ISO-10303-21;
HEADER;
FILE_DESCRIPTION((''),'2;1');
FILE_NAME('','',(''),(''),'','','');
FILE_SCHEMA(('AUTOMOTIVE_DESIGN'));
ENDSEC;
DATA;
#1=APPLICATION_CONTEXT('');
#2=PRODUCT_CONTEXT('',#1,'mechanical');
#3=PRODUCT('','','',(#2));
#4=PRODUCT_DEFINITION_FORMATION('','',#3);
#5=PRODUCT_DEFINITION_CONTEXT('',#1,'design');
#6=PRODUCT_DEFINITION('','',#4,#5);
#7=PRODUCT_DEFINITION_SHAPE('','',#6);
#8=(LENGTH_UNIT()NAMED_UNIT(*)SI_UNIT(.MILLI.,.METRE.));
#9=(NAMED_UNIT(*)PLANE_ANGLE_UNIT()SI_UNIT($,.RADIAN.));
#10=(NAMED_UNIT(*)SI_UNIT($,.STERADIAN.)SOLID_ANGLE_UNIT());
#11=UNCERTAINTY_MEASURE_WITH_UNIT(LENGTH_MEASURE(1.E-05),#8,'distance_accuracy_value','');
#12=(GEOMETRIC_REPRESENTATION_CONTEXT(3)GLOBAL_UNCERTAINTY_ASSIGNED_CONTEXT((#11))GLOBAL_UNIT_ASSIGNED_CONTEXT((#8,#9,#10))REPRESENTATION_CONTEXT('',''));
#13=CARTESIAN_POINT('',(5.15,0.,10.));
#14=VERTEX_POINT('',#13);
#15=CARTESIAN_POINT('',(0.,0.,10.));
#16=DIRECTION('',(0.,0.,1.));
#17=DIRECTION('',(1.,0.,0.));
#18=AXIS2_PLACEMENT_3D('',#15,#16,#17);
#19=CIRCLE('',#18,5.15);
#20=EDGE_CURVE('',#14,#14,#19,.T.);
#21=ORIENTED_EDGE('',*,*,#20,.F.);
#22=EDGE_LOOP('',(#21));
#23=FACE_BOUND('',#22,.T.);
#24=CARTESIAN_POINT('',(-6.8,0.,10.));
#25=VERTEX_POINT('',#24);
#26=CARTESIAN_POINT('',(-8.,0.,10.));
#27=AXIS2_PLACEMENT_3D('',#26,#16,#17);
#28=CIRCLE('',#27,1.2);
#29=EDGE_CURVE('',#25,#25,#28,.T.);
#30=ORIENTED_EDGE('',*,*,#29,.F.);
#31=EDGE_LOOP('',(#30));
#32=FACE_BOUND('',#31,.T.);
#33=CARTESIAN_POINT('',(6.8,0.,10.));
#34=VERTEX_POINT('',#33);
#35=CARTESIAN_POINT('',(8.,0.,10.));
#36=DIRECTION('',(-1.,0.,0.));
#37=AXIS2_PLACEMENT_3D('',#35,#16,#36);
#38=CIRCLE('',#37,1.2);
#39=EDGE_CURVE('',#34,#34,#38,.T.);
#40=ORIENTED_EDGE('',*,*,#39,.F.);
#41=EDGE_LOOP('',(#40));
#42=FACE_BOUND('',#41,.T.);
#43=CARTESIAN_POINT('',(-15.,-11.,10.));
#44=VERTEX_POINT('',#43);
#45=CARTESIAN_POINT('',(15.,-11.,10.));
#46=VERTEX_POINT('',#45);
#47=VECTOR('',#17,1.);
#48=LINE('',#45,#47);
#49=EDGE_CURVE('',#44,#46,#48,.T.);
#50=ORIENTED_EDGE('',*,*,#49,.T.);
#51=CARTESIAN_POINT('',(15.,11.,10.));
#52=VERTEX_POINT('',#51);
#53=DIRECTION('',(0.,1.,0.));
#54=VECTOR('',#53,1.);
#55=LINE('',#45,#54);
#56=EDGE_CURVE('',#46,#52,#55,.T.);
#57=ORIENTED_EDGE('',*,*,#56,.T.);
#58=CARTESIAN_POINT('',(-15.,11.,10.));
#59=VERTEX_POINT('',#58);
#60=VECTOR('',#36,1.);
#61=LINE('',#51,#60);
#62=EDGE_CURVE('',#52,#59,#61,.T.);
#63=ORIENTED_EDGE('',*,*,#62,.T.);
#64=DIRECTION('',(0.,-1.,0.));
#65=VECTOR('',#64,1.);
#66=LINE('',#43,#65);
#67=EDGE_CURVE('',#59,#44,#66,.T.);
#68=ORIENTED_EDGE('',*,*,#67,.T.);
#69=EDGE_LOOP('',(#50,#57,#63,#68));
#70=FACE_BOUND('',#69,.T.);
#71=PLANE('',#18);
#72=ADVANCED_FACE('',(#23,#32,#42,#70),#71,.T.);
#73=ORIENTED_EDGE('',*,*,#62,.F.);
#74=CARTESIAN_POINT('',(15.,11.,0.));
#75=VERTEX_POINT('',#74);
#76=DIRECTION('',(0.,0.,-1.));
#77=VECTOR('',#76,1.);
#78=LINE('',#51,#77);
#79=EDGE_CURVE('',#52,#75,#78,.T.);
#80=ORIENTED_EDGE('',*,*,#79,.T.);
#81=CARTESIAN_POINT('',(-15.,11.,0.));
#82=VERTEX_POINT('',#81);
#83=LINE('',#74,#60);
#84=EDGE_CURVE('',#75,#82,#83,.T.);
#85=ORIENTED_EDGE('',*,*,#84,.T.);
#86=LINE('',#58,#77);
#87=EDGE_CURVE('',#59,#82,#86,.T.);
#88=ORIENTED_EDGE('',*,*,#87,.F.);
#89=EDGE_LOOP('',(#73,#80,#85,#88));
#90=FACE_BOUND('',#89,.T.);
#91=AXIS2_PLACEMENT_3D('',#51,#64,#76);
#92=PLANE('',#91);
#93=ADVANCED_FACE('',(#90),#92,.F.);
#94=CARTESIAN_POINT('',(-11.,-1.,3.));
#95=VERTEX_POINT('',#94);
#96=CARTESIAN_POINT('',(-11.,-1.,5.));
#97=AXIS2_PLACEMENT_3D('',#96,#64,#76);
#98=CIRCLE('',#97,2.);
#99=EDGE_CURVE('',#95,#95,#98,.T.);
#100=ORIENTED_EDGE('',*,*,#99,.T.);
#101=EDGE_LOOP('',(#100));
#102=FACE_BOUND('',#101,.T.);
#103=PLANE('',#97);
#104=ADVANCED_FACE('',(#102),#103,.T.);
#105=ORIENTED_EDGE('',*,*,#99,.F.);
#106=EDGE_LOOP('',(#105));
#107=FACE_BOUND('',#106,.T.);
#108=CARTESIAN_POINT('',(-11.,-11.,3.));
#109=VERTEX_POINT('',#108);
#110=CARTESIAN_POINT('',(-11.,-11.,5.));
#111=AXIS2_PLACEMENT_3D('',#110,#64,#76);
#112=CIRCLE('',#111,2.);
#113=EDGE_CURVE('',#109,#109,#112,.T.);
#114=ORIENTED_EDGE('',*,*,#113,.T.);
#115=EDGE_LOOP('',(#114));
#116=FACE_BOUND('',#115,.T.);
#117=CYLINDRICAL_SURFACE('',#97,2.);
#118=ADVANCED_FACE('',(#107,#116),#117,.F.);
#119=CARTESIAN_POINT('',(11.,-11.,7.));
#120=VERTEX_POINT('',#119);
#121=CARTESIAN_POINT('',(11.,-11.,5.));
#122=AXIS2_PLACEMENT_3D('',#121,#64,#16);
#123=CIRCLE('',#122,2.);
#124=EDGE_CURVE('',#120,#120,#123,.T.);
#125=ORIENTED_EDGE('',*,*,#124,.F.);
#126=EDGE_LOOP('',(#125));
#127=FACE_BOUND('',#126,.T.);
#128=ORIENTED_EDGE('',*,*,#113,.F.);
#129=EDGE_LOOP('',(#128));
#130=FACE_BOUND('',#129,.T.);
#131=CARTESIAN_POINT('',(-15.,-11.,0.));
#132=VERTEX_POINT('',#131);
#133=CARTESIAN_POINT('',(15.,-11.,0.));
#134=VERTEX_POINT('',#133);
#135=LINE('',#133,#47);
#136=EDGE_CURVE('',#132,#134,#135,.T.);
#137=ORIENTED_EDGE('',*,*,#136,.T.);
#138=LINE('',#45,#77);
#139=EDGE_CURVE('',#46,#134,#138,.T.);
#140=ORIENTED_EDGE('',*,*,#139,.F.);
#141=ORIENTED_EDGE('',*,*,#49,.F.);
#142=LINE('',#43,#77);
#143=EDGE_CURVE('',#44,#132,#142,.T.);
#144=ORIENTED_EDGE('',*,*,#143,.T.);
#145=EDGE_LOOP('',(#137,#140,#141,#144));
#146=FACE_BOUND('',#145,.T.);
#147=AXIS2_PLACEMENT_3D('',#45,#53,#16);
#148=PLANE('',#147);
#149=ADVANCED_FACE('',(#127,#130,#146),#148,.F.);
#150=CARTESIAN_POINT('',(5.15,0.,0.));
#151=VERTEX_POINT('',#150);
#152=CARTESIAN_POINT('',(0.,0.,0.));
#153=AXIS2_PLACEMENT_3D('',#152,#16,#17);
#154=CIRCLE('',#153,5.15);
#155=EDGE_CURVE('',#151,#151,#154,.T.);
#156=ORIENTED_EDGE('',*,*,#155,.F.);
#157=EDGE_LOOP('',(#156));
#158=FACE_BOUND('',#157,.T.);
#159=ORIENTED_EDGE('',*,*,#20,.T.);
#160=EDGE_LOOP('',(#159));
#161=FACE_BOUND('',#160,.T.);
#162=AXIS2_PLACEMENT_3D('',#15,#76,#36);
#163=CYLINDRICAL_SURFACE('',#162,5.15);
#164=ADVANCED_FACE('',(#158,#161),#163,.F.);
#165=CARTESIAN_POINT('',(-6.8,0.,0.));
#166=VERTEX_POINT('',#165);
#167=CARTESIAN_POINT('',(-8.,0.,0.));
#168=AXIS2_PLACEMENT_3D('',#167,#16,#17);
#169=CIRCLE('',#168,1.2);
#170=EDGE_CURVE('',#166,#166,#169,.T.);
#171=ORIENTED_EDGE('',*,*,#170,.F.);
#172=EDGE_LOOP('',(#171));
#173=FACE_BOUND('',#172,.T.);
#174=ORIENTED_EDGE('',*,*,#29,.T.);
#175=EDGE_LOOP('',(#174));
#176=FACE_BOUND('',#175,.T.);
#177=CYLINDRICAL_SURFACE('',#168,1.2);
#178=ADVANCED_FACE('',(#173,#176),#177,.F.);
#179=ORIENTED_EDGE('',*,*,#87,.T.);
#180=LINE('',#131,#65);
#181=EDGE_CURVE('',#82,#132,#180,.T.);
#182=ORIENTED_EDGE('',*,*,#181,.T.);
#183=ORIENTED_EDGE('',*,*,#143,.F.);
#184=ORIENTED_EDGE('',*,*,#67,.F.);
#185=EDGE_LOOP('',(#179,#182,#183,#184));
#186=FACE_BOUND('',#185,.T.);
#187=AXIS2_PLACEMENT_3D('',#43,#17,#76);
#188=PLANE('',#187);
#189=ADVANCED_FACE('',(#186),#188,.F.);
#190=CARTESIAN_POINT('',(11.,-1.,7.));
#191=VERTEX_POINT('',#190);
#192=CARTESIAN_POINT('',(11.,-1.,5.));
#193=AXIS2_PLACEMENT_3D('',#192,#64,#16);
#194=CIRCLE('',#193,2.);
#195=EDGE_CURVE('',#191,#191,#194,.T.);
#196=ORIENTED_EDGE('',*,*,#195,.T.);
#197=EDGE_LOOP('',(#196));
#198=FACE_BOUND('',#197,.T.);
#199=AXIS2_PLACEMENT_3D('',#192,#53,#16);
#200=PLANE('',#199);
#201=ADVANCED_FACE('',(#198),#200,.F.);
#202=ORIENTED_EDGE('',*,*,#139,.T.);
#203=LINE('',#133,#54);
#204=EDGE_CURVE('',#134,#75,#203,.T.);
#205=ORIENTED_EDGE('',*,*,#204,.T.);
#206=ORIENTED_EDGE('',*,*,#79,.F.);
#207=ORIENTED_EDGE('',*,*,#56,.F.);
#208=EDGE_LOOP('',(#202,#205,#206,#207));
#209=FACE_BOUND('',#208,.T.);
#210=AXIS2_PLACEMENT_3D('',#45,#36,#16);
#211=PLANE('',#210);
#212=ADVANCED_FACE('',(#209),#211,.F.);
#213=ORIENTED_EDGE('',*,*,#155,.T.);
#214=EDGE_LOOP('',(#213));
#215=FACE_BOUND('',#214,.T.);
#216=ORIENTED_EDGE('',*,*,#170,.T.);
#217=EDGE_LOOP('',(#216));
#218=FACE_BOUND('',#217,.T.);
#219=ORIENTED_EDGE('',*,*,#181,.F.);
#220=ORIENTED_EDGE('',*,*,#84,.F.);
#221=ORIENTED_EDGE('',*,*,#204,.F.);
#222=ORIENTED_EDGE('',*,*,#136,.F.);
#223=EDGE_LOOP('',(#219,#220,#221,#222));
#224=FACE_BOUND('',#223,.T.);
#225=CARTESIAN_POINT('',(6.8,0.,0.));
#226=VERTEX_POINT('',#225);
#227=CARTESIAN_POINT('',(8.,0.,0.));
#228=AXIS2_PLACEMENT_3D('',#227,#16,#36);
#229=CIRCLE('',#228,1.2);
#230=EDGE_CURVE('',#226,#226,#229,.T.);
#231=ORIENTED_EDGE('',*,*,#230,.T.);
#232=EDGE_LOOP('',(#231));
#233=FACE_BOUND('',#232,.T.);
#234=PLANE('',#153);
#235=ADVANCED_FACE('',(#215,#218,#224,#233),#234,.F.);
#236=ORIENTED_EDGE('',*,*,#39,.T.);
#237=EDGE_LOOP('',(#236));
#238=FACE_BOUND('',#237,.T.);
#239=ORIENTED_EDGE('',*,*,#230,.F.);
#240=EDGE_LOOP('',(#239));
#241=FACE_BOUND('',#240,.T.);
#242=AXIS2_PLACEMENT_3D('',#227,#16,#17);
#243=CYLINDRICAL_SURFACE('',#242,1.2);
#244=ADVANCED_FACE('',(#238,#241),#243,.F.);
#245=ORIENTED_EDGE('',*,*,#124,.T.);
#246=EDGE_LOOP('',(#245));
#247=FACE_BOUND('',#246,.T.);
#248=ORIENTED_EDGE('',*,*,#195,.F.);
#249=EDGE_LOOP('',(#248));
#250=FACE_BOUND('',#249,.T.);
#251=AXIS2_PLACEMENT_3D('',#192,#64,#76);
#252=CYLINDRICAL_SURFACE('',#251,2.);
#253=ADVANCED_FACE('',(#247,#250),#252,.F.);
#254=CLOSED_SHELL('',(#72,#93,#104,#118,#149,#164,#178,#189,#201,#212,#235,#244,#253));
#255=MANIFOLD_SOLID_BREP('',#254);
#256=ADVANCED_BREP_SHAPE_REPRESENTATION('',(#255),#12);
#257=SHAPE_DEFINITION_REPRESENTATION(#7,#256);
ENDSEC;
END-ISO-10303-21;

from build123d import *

# Parameters (mm, degrees)
SKETCH1_W           = 30
SKETCH1_H           = 22
SKETCH1_R           = 5.15
BOSS_EXTRUDE1_DEPTH = 10
SKETCH2_R           = 2
CUT_EXTRUDE1_DEPTH  = 10
SKETCH7_R           = 1.2
CUT_EXTRUDE2_DEPTH  = 11


with BuildPart() as part:
    # Sketch1 → Boss-Extrude1 (new body)
    with BuildSketch(Plane.XY):
        Rectangle(SKETCH1_W, SKETCH1_H)
        Circle(SKETCH1_R, mode=Mode.SUBTRACT)
    extrude(amount=BOSS_EXTRUDE1_DEPTH)

    # Sketch2 → Cut-Extrude1 (cut)
    with BuildSketch(Plane.XZ.offset(11)):
        with Locations((-11, 5)):
            Circle(SKETCH2_R)
        with Locations((11, 5)):
            Circle(SKETCH2_R)
    extrude(amount=-CUT_EXTRUDE1_DEPTH, mode=Mode.SUBTRACT)

    # Sketch7 → Cut-Extrude2 (cut, through all)
    with BuildSketch(Plane.XY.offset(10)):
        with Locations((-8, 0)):
            Circle(SKETCH7_R)
        with Locations((8, 0)):
            Circle(SKETCH7_R)
    extrude(amount=-CUT_EXTRUDE2_DEPTH, mode=Mode.SUBTRACT)


solid = part.part
